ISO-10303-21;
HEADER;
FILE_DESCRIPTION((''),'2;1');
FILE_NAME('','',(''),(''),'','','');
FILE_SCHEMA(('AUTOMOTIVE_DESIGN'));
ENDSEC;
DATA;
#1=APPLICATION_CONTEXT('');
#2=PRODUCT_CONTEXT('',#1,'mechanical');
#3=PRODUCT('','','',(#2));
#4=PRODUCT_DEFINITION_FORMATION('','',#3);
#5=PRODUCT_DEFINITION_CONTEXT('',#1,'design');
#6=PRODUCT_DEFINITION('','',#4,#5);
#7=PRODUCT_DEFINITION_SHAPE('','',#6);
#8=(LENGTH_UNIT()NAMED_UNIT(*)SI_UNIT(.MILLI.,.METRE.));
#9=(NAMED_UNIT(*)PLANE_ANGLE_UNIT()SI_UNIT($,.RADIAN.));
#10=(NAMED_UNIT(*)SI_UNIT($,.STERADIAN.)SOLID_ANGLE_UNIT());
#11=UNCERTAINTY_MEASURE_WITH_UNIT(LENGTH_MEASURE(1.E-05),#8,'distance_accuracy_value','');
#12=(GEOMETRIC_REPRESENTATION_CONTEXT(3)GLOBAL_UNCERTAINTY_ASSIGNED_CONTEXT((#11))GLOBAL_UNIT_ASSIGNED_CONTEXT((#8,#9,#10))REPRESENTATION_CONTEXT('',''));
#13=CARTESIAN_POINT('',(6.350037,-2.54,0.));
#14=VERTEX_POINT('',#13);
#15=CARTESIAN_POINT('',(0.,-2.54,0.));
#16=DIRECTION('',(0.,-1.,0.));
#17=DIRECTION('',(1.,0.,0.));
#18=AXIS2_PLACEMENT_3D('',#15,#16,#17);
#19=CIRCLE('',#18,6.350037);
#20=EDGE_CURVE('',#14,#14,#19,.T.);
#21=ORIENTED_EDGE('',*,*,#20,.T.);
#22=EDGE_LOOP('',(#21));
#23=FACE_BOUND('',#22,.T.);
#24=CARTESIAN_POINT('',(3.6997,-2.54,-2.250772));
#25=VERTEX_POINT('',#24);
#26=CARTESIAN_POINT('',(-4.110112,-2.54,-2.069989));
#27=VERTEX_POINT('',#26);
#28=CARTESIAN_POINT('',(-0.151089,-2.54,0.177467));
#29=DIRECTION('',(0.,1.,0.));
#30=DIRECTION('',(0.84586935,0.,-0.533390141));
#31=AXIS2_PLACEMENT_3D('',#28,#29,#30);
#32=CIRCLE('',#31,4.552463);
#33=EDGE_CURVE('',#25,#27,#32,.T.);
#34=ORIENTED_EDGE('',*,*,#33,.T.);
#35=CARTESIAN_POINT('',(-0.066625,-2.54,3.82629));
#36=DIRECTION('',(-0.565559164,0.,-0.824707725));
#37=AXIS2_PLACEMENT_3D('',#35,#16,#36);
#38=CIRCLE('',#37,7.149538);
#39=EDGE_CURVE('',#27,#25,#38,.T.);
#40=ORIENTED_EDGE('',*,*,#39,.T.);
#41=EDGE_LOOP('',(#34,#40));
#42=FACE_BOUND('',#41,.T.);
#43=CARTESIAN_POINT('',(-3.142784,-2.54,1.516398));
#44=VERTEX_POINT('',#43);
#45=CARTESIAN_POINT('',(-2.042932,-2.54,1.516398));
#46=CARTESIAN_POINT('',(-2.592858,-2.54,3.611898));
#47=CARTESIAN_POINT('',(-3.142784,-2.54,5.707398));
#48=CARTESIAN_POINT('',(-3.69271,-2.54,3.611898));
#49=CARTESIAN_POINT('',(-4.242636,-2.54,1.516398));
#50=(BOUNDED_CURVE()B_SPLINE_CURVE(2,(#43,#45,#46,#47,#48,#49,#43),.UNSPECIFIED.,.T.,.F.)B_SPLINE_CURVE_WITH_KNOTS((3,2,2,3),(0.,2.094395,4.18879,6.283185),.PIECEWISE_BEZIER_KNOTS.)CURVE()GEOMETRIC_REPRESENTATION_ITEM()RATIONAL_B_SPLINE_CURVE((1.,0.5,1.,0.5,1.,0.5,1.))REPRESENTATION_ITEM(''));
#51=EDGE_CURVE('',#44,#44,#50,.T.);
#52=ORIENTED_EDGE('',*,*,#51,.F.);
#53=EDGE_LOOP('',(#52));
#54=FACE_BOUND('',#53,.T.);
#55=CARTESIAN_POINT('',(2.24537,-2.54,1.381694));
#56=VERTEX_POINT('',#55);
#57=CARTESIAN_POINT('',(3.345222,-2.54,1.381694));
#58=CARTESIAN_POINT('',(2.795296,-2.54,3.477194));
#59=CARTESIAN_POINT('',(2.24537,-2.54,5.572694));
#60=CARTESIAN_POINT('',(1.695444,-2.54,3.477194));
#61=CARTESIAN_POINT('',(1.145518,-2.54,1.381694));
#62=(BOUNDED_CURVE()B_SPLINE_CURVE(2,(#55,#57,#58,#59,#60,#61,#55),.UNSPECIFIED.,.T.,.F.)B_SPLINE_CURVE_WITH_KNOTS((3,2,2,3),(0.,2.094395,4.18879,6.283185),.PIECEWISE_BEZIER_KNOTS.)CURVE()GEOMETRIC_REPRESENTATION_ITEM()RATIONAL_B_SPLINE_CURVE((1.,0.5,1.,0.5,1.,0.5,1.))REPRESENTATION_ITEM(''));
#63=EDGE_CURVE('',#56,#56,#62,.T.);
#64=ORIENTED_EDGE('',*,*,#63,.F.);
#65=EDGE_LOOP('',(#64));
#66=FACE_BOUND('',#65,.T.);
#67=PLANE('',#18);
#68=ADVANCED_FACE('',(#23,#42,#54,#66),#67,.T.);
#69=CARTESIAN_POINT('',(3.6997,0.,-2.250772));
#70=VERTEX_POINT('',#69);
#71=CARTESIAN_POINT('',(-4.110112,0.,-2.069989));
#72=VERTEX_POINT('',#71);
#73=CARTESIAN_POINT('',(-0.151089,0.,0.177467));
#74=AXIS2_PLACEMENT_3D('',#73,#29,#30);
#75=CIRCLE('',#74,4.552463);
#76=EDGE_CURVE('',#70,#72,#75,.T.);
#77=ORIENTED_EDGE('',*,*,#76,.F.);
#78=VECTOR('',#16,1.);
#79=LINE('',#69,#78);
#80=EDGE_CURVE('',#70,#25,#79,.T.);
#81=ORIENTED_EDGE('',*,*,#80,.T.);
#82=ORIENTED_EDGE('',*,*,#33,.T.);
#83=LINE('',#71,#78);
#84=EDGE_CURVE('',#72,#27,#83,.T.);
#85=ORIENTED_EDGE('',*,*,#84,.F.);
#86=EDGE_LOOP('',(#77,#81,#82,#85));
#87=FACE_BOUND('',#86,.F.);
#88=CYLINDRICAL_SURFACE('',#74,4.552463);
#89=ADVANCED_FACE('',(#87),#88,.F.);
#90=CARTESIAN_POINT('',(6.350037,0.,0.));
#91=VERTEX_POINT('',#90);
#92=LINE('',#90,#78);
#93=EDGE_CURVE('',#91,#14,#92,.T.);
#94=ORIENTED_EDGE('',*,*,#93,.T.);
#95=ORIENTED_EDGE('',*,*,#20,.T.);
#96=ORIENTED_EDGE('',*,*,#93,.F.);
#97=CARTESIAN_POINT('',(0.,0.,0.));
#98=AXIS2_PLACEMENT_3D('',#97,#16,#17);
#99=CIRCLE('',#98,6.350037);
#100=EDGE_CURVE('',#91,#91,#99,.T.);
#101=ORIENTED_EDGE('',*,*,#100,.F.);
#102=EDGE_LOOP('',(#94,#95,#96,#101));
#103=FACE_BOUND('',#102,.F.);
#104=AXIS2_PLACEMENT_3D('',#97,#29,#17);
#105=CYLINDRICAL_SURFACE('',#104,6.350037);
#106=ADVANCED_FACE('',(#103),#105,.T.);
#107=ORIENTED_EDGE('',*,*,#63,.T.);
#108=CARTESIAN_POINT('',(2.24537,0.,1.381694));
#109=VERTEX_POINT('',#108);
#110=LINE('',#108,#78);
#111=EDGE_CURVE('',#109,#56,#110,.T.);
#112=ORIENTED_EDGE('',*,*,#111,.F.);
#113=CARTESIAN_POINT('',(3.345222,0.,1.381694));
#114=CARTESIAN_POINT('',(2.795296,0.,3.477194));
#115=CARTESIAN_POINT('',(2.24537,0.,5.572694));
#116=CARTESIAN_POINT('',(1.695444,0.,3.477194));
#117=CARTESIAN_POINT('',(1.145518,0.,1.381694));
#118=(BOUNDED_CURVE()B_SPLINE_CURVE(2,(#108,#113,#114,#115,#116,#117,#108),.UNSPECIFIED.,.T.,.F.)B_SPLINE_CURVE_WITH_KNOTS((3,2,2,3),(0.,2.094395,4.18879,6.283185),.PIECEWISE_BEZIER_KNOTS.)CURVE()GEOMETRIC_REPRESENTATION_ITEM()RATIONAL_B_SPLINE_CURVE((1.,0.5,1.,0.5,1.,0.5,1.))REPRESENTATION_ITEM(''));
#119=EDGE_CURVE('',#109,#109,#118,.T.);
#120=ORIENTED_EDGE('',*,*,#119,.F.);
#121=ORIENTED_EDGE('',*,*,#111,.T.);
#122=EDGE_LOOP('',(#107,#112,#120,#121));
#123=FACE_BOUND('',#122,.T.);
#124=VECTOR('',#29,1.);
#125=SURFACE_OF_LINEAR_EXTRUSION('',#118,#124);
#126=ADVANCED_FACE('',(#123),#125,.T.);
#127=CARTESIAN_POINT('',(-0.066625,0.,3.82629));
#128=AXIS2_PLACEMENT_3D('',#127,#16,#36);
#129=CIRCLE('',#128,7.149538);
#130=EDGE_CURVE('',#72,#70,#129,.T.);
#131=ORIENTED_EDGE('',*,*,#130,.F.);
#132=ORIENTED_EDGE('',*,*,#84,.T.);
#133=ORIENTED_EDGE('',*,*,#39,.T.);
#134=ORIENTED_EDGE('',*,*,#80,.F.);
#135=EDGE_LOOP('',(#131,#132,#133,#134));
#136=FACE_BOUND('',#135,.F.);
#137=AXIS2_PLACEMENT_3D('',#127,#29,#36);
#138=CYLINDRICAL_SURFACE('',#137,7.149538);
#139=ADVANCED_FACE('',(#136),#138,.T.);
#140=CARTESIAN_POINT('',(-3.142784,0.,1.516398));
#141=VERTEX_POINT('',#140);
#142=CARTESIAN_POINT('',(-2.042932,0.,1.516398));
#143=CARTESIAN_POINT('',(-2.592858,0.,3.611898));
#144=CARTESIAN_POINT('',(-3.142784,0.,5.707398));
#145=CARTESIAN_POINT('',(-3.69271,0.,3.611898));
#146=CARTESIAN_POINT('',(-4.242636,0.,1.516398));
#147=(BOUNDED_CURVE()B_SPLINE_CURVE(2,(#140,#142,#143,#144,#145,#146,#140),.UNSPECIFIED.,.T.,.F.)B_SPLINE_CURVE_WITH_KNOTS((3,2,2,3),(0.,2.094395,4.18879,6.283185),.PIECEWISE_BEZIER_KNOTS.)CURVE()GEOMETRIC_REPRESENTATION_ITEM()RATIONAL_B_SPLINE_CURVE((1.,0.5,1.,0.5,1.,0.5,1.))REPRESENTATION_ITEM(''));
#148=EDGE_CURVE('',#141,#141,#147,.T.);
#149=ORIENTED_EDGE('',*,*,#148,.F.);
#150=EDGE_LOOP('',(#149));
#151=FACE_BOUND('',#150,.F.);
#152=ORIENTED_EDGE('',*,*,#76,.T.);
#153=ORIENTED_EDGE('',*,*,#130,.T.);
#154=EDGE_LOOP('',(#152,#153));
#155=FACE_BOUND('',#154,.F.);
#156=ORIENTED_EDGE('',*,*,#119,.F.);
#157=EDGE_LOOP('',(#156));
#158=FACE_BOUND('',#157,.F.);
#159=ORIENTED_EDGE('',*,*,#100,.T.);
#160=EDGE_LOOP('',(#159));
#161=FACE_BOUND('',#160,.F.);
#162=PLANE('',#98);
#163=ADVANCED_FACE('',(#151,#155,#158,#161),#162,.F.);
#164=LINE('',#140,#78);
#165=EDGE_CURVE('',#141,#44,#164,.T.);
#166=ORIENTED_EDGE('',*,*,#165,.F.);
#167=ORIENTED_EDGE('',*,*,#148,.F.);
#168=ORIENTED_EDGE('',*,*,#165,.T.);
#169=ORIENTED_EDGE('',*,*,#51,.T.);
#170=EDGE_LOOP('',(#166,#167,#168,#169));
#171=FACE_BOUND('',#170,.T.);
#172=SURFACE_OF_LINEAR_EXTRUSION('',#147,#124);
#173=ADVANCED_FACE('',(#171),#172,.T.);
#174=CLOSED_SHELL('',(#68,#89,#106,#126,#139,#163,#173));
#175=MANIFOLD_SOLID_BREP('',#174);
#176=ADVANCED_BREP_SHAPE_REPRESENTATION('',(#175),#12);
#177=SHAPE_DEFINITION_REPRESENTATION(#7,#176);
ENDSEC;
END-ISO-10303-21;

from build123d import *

# Parameters (mm, degrees)
F0_R     = 6.350037
F1_DEPTH = 2.54


with BuildPart() as f1:
    # F0 (on Front) → F1 (new body)
    with BuildSketch(Plane.XZ):
        Circle(F0_R)
        with BuildLine():
            ThreePointArc((3.6997, -2.250772), (-0.256442, -4.373777), (-4.110112, -2.069989))
            ThreePointArc((-4.110112, -2.069989), (-0.23208, -3.321333), (3.6997, -2.250772))
        make_face(mode=Mode.SUBTRACT)
        with BuildLine():
            add(Edge.make_bspline(
                [(-3.142784, 1.516398), (-2.042932, 1.516398), (-2.592858, 3.611898), (-3.142784, 5.707398), (-3.69271, 3.611898), (-4.242636, 1.516398), (-3.142784, 1.516398)],
                knots=[0, 0, 0, 2.094395, 2.094395, 4.18879, 4.18879, 6.283185, 6.283185, 6.283185], degree=2, weights=[1, 0.5, 1, 0.5, 1, 0.5, 1]))
        make_face(mode=Mode.SUBTRACT)
        with BuildLine():
            add(Edge.make_bspline(
                [(2.24537, 1.381694), (3.345222, 1.381694), (2.795296, 3.477194), (2.24537, 5.572694), (1.695444, 3.477194), (1.145518, 1.381694), (2.24537, 1.381694)],
                knots=[0, 0, 0, 2.094395, 2.094395, 4.18879, 4.18879, 6.283185, 6.283185, 6.283185], degree=2, weights=[1, 0.5, 1, 0.5, 1, 0.5, 1]))
        make_face(mode=Mode.SUBTRACT)
    extrude(amount=F1_DEPTH)


solid = f1.part
